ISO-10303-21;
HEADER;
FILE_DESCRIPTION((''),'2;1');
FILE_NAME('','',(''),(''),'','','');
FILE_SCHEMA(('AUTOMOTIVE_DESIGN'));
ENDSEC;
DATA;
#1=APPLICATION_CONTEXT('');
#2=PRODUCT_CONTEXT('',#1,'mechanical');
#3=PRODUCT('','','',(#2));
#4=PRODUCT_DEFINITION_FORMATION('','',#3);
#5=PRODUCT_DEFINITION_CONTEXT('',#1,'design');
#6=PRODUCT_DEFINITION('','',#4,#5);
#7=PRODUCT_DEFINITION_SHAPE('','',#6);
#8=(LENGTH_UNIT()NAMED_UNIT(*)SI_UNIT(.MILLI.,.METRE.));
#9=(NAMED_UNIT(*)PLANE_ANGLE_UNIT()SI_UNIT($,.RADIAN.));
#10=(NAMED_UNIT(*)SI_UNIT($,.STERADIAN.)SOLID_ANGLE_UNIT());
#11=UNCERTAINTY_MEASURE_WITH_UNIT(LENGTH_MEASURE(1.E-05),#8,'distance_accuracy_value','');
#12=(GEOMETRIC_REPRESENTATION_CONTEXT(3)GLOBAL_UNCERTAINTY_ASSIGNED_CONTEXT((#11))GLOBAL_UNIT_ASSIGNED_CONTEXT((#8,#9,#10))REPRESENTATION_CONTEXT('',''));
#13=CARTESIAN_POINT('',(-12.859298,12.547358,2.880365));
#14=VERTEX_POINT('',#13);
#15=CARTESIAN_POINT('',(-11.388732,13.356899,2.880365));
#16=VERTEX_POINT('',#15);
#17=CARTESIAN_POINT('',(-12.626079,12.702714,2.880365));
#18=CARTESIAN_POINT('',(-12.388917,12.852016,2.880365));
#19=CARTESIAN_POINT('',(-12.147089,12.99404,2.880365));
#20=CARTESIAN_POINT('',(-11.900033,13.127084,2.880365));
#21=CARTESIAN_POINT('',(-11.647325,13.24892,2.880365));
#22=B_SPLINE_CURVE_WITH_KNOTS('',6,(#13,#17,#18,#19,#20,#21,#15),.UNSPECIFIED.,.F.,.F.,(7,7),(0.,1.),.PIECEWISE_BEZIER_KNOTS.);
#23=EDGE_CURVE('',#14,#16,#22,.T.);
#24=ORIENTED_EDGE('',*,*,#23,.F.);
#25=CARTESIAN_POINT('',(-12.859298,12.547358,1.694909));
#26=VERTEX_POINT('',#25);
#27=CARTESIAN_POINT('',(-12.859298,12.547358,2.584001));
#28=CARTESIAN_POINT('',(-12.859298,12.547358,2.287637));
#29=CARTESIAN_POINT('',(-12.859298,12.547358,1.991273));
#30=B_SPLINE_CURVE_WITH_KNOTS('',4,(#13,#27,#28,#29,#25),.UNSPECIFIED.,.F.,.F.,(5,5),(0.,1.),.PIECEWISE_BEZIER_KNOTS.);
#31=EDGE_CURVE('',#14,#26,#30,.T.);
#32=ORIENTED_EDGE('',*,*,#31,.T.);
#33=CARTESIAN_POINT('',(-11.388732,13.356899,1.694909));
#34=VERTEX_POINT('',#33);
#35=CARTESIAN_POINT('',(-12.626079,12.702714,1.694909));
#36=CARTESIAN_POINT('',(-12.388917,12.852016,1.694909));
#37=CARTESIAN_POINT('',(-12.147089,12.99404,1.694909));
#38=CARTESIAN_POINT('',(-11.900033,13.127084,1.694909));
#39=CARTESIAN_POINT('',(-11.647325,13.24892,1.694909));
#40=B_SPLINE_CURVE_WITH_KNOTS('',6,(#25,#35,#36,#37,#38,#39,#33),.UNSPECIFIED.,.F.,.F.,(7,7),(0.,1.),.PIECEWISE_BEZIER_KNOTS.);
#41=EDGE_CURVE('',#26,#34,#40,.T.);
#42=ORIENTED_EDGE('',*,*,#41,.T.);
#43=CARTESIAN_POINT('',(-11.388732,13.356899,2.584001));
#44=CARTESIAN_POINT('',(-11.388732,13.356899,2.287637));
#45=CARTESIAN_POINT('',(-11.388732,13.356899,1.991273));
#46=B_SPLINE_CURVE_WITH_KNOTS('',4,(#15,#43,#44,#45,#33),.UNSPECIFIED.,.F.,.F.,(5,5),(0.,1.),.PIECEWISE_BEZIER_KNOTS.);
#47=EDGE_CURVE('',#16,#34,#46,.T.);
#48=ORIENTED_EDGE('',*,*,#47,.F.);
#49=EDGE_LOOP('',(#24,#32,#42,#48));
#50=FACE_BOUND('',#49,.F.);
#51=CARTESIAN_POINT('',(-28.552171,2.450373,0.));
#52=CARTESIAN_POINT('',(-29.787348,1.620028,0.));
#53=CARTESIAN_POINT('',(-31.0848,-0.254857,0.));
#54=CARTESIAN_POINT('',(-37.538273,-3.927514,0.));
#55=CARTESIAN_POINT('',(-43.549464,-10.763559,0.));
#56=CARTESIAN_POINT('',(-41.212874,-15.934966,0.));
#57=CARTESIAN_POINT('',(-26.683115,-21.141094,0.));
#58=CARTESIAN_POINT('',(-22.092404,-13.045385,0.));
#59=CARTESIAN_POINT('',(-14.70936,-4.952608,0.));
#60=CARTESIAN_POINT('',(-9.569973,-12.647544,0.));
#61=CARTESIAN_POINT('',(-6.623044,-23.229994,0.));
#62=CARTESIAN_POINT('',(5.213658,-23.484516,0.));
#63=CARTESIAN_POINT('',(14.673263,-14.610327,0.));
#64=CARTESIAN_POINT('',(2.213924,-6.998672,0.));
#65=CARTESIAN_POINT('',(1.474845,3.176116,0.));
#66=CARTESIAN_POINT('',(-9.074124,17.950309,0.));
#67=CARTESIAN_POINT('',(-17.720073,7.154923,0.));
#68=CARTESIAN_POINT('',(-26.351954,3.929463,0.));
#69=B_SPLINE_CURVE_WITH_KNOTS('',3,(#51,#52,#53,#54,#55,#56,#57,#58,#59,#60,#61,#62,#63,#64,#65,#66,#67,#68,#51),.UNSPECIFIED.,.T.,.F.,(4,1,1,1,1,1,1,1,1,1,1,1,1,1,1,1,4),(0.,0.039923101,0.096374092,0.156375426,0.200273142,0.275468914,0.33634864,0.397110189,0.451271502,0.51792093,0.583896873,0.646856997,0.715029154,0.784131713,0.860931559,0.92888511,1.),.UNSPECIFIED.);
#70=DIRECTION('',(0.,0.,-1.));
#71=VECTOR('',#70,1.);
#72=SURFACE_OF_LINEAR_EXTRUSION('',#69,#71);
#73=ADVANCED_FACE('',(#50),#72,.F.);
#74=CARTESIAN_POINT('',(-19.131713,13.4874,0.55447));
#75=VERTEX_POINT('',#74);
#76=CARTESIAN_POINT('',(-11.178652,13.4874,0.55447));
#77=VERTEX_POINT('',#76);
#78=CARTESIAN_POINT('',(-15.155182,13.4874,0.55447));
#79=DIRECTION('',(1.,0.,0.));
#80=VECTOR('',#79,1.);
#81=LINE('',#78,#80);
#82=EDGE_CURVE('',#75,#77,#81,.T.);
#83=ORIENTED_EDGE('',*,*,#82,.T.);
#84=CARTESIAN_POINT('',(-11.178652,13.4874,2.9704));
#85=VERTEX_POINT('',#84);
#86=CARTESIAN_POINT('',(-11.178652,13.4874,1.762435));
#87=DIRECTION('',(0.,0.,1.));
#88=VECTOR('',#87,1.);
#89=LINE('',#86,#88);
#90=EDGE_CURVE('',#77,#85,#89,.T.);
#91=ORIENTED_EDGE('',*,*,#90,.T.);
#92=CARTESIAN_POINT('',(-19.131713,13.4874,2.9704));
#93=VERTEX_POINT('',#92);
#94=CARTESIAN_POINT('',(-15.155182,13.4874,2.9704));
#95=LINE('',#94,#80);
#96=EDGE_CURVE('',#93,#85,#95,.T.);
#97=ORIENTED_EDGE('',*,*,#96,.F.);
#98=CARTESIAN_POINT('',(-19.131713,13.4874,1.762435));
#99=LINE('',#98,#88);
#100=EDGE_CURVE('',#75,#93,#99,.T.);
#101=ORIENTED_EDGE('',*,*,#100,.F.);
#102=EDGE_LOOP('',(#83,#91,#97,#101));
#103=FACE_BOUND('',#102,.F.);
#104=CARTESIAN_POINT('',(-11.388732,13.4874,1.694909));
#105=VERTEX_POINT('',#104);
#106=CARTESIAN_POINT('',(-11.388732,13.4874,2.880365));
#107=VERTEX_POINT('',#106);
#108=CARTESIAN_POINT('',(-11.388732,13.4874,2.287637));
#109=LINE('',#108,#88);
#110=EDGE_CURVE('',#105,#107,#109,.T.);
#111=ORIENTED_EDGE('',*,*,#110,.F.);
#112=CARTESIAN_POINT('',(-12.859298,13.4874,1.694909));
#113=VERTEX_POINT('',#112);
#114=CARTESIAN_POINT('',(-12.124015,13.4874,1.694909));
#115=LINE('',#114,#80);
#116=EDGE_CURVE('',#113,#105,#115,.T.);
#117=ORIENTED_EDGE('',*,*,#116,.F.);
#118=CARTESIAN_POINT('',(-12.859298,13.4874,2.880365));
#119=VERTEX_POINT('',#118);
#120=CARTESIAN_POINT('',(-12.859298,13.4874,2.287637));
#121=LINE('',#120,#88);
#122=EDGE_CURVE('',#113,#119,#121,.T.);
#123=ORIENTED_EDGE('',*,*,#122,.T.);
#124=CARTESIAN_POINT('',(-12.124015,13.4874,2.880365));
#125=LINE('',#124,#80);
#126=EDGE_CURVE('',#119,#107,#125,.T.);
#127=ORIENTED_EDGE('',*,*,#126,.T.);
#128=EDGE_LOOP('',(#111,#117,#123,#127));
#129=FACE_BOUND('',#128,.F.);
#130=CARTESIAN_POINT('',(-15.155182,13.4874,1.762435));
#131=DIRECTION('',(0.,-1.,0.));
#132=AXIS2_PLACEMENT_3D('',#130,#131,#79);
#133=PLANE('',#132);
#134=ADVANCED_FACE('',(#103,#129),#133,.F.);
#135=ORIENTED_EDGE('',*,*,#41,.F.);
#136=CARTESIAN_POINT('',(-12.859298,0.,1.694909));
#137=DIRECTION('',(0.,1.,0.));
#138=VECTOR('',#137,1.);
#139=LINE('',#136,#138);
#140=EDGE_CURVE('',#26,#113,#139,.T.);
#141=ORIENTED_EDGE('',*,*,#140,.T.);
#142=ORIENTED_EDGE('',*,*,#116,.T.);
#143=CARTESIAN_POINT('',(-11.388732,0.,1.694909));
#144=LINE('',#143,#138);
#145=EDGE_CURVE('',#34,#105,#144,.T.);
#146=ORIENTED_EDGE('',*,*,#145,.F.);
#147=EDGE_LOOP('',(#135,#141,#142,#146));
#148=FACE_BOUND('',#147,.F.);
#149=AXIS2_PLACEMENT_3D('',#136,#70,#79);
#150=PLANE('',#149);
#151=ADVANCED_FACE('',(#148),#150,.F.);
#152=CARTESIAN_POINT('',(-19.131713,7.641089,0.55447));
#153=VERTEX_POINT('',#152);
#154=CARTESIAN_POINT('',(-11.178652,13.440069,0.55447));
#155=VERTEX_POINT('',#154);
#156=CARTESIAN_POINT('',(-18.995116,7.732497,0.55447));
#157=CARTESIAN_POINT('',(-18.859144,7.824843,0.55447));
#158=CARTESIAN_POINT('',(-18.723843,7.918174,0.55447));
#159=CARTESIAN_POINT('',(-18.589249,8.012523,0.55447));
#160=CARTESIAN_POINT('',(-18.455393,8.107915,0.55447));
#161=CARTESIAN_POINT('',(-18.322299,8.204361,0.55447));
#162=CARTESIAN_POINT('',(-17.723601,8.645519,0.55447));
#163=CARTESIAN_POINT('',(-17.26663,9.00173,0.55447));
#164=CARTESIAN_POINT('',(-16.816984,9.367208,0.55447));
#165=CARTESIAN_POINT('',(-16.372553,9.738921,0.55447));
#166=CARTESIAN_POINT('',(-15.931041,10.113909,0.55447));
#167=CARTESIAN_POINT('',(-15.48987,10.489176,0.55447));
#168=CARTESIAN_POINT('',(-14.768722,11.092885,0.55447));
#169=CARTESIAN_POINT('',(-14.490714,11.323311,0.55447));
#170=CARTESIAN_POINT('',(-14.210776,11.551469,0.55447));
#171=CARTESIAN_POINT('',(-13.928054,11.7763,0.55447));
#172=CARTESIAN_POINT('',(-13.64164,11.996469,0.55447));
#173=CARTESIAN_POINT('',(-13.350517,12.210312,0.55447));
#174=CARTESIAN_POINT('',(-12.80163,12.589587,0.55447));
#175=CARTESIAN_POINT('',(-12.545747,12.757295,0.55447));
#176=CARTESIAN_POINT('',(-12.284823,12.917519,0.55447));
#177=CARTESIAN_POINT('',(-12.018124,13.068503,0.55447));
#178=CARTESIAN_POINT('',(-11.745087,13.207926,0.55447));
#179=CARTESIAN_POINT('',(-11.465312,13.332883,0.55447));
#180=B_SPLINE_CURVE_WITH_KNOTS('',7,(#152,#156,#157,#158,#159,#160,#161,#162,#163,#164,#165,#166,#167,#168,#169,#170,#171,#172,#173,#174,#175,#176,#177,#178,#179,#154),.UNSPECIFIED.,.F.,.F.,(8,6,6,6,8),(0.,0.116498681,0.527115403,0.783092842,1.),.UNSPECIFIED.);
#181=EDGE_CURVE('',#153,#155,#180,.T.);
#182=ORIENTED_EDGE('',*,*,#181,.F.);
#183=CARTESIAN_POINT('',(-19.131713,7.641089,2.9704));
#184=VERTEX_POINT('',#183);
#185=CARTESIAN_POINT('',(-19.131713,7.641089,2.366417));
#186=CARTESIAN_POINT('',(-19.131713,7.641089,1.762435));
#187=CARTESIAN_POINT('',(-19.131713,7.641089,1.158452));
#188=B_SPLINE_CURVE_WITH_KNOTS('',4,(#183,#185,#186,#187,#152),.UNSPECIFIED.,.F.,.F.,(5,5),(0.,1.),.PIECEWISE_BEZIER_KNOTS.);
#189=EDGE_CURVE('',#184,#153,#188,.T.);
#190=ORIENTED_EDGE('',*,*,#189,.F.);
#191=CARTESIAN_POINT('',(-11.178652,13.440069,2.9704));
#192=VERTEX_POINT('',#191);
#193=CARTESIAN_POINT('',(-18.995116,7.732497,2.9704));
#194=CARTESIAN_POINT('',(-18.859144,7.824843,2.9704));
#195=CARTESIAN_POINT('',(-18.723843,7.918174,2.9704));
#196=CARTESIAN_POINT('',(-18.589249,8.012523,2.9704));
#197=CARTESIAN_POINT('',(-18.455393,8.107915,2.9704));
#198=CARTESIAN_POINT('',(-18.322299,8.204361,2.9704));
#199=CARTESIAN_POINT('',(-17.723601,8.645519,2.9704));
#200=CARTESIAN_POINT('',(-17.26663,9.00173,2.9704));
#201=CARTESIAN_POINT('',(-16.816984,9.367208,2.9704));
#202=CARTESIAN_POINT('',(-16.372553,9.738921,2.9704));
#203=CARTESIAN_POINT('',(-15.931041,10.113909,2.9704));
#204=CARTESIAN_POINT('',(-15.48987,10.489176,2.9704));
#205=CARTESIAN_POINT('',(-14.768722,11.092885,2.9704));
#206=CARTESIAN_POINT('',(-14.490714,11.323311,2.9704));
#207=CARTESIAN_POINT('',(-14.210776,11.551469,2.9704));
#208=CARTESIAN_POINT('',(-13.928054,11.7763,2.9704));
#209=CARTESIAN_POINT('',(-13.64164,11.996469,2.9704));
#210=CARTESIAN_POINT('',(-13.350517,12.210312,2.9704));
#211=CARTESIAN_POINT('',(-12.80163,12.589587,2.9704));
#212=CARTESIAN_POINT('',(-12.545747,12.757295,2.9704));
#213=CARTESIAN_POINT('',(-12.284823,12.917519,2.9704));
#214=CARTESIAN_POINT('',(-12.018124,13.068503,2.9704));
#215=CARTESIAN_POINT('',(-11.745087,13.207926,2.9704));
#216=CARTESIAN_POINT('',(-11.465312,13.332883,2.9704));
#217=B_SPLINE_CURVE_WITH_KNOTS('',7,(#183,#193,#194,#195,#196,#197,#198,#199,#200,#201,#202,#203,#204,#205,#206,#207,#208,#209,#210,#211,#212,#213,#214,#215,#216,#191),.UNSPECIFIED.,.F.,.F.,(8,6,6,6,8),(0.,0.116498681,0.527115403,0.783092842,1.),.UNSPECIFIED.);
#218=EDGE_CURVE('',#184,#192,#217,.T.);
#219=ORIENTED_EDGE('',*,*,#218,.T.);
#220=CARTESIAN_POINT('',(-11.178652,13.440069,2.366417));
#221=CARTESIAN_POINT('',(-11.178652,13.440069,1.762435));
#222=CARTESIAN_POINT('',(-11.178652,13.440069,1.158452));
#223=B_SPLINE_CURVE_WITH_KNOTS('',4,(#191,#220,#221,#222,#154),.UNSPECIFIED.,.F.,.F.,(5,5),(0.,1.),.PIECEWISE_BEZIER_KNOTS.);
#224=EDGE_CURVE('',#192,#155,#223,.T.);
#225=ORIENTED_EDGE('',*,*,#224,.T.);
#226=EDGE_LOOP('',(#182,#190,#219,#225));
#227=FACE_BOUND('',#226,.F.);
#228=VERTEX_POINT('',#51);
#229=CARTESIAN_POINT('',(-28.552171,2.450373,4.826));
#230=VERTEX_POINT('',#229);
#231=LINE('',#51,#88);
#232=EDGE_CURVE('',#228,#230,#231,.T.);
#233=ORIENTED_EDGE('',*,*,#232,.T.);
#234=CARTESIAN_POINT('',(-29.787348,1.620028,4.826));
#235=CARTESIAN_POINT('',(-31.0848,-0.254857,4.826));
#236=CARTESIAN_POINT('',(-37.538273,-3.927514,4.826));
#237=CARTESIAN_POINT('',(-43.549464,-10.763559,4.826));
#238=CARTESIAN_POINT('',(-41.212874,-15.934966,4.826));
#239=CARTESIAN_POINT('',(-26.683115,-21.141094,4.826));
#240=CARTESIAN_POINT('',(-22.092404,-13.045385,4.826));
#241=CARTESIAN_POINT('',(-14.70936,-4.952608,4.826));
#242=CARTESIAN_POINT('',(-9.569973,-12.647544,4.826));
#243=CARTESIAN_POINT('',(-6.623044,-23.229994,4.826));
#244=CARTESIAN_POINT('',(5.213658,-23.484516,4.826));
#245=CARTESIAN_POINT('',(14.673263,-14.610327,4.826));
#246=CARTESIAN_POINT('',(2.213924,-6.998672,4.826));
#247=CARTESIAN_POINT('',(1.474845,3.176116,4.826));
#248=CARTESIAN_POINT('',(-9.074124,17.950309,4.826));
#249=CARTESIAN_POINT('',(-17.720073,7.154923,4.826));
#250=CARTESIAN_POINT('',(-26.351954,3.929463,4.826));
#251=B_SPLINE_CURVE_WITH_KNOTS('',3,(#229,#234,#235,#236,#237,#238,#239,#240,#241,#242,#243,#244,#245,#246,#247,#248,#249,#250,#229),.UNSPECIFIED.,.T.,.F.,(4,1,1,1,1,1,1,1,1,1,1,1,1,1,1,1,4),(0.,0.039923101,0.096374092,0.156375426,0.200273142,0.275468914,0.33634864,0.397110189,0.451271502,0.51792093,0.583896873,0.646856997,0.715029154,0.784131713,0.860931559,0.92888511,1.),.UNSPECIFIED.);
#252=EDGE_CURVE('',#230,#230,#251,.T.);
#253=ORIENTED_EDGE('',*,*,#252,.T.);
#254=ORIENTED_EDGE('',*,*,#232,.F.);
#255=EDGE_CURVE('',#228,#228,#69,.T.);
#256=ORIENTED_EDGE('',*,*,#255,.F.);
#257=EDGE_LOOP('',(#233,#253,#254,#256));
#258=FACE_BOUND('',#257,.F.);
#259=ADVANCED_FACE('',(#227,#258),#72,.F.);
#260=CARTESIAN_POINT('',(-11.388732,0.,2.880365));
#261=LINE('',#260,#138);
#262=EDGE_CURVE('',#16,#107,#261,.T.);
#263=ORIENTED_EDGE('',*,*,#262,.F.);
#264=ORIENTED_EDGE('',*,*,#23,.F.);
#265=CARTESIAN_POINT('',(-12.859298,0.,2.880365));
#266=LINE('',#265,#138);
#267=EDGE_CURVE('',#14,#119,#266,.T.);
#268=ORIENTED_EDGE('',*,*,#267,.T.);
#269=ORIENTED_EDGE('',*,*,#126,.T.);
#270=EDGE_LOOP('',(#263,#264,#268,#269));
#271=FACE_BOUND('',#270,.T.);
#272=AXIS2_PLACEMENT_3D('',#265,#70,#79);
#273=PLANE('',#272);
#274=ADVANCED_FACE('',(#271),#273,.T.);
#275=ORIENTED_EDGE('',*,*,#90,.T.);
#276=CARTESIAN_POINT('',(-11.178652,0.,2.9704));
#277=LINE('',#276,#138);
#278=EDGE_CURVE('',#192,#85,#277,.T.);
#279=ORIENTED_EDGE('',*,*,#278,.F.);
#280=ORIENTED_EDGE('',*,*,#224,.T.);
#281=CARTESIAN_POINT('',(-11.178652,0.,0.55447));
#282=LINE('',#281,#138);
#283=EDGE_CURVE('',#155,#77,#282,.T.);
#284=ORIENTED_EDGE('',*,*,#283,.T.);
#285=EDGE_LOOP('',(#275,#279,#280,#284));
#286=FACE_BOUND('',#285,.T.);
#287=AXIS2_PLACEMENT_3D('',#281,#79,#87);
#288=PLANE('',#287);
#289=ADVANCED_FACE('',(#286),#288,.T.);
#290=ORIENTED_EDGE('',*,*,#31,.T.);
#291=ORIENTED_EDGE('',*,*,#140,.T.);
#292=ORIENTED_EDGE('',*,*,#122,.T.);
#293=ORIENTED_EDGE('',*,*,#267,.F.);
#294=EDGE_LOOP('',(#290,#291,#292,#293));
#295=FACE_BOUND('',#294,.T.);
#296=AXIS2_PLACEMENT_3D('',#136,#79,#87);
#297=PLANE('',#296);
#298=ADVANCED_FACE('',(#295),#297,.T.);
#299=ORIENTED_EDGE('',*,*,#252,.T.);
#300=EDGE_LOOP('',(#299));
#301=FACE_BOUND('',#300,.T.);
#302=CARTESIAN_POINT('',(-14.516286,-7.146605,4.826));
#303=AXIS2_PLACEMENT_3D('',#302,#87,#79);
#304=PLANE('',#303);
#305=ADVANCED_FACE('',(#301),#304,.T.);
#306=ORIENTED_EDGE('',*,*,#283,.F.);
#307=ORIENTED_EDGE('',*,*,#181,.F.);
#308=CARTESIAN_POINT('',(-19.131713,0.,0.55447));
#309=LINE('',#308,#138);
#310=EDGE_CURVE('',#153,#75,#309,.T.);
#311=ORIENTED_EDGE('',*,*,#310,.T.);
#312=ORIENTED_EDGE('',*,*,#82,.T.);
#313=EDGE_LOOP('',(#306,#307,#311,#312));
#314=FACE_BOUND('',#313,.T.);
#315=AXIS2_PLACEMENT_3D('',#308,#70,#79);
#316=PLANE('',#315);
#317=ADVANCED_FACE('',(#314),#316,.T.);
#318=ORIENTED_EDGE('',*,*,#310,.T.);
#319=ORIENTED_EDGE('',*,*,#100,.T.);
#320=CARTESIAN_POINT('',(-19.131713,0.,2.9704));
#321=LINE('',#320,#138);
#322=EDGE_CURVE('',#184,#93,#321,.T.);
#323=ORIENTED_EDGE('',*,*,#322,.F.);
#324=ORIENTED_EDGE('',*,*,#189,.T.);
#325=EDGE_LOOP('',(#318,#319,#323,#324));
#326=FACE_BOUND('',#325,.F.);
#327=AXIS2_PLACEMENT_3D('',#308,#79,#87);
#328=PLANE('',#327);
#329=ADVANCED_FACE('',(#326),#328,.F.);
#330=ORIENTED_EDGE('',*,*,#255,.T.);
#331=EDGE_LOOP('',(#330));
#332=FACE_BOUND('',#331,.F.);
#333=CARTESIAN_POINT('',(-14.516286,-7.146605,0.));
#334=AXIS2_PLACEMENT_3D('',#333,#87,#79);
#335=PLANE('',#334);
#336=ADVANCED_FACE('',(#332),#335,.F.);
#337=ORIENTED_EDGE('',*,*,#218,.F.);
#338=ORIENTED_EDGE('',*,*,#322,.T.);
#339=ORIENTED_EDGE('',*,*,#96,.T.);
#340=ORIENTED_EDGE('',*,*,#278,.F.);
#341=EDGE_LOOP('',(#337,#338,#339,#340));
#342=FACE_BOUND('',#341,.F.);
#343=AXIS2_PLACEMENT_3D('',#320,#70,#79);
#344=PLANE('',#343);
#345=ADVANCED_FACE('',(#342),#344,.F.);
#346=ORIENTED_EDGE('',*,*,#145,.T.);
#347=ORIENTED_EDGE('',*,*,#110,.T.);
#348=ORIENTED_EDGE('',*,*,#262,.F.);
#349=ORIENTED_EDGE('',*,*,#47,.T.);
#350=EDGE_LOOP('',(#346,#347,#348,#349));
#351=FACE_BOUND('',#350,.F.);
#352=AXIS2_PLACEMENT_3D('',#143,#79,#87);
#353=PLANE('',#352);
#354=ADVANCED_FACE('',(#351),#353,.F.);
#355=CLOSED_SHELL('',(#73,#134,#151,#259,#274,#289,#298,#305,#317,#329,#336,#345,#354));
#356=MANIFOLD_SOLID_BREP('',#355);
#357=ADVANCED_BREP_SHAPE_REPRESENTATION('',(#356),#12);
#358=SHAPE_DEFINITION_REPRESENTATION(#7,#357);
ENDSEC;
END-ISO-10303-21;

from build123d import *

# Parameters (mm, degrees)
F1_DEPTH = 4.826
F2_W     = 7.9530607909
F2_H     = 2.4159295135
F2_W_2   = 1.4705657959
F2_H_2   = 1.1854562908
F3_DEPTH = 13.4874


with BuildPart() as f1:
    # F0 (on Top) → F1 (new body)
    with BuildSketch(Plane.XY):
        with BuildLine():
            add(Edge.make_bspline(
                [(-28.5521708429, 2.4503727909), (-29.7873480709, 1.6200278804), (-31.0847997237, -0.2548569899), (-37.5382732789, -3.9275142691), (-43.5494642487, -10.7635585204), (-41.2128735185, -15.9349663798), (-26.6831151861, -21.1410941775), (-22.0924037847, -13.0453850296), (-14.7093600214, -4.9526078953), (-9.5699727576, -12.6475444653), (-6.6230443834, -23.2299939512), (5.2136582919, -23.4845156504), (14.6732626354, -14.610327484), (2.2139238505, -6.9986718896), (1.4748449812, 3.1761158333), (-9.0741240541, 17.9503094629), (-17.7200733891, 7.1549225991), (-26.351953663, 3.92946348), (-28.5521708429, 2.4503727909)],
                knots=[0, 0, 0, 0, 0.0399231012, 0.0963740918, 0.1563754264, 0.2002731415, 0.2754689136, 0.3363486397, 0.3971101889, 0.451271502, 0.5179209305, 0.583896873, 0.6468569967, 0.7150291539, 0.784131713, 0.8609315593, 0.9288851097, 1, 1, 1, 1], degree=3))
        make_face()
    extrude(amount=F1_DEPTH)

    # F2 (on Front) → F3 (join)
    with BuildSketch(Plane.XZ):
        with Locations((-15.15518222, 1.7624348111)):
            Rectangle(F2_W, F2_H)
        with Locations((-12.1240150183, 2.2876369767)):
            Rectangle(F2_W_2, F2_H_2, mode=Mode.SUBTRACT)
    extrude(amount=-F3_DEPTH)


solid = f1.part
